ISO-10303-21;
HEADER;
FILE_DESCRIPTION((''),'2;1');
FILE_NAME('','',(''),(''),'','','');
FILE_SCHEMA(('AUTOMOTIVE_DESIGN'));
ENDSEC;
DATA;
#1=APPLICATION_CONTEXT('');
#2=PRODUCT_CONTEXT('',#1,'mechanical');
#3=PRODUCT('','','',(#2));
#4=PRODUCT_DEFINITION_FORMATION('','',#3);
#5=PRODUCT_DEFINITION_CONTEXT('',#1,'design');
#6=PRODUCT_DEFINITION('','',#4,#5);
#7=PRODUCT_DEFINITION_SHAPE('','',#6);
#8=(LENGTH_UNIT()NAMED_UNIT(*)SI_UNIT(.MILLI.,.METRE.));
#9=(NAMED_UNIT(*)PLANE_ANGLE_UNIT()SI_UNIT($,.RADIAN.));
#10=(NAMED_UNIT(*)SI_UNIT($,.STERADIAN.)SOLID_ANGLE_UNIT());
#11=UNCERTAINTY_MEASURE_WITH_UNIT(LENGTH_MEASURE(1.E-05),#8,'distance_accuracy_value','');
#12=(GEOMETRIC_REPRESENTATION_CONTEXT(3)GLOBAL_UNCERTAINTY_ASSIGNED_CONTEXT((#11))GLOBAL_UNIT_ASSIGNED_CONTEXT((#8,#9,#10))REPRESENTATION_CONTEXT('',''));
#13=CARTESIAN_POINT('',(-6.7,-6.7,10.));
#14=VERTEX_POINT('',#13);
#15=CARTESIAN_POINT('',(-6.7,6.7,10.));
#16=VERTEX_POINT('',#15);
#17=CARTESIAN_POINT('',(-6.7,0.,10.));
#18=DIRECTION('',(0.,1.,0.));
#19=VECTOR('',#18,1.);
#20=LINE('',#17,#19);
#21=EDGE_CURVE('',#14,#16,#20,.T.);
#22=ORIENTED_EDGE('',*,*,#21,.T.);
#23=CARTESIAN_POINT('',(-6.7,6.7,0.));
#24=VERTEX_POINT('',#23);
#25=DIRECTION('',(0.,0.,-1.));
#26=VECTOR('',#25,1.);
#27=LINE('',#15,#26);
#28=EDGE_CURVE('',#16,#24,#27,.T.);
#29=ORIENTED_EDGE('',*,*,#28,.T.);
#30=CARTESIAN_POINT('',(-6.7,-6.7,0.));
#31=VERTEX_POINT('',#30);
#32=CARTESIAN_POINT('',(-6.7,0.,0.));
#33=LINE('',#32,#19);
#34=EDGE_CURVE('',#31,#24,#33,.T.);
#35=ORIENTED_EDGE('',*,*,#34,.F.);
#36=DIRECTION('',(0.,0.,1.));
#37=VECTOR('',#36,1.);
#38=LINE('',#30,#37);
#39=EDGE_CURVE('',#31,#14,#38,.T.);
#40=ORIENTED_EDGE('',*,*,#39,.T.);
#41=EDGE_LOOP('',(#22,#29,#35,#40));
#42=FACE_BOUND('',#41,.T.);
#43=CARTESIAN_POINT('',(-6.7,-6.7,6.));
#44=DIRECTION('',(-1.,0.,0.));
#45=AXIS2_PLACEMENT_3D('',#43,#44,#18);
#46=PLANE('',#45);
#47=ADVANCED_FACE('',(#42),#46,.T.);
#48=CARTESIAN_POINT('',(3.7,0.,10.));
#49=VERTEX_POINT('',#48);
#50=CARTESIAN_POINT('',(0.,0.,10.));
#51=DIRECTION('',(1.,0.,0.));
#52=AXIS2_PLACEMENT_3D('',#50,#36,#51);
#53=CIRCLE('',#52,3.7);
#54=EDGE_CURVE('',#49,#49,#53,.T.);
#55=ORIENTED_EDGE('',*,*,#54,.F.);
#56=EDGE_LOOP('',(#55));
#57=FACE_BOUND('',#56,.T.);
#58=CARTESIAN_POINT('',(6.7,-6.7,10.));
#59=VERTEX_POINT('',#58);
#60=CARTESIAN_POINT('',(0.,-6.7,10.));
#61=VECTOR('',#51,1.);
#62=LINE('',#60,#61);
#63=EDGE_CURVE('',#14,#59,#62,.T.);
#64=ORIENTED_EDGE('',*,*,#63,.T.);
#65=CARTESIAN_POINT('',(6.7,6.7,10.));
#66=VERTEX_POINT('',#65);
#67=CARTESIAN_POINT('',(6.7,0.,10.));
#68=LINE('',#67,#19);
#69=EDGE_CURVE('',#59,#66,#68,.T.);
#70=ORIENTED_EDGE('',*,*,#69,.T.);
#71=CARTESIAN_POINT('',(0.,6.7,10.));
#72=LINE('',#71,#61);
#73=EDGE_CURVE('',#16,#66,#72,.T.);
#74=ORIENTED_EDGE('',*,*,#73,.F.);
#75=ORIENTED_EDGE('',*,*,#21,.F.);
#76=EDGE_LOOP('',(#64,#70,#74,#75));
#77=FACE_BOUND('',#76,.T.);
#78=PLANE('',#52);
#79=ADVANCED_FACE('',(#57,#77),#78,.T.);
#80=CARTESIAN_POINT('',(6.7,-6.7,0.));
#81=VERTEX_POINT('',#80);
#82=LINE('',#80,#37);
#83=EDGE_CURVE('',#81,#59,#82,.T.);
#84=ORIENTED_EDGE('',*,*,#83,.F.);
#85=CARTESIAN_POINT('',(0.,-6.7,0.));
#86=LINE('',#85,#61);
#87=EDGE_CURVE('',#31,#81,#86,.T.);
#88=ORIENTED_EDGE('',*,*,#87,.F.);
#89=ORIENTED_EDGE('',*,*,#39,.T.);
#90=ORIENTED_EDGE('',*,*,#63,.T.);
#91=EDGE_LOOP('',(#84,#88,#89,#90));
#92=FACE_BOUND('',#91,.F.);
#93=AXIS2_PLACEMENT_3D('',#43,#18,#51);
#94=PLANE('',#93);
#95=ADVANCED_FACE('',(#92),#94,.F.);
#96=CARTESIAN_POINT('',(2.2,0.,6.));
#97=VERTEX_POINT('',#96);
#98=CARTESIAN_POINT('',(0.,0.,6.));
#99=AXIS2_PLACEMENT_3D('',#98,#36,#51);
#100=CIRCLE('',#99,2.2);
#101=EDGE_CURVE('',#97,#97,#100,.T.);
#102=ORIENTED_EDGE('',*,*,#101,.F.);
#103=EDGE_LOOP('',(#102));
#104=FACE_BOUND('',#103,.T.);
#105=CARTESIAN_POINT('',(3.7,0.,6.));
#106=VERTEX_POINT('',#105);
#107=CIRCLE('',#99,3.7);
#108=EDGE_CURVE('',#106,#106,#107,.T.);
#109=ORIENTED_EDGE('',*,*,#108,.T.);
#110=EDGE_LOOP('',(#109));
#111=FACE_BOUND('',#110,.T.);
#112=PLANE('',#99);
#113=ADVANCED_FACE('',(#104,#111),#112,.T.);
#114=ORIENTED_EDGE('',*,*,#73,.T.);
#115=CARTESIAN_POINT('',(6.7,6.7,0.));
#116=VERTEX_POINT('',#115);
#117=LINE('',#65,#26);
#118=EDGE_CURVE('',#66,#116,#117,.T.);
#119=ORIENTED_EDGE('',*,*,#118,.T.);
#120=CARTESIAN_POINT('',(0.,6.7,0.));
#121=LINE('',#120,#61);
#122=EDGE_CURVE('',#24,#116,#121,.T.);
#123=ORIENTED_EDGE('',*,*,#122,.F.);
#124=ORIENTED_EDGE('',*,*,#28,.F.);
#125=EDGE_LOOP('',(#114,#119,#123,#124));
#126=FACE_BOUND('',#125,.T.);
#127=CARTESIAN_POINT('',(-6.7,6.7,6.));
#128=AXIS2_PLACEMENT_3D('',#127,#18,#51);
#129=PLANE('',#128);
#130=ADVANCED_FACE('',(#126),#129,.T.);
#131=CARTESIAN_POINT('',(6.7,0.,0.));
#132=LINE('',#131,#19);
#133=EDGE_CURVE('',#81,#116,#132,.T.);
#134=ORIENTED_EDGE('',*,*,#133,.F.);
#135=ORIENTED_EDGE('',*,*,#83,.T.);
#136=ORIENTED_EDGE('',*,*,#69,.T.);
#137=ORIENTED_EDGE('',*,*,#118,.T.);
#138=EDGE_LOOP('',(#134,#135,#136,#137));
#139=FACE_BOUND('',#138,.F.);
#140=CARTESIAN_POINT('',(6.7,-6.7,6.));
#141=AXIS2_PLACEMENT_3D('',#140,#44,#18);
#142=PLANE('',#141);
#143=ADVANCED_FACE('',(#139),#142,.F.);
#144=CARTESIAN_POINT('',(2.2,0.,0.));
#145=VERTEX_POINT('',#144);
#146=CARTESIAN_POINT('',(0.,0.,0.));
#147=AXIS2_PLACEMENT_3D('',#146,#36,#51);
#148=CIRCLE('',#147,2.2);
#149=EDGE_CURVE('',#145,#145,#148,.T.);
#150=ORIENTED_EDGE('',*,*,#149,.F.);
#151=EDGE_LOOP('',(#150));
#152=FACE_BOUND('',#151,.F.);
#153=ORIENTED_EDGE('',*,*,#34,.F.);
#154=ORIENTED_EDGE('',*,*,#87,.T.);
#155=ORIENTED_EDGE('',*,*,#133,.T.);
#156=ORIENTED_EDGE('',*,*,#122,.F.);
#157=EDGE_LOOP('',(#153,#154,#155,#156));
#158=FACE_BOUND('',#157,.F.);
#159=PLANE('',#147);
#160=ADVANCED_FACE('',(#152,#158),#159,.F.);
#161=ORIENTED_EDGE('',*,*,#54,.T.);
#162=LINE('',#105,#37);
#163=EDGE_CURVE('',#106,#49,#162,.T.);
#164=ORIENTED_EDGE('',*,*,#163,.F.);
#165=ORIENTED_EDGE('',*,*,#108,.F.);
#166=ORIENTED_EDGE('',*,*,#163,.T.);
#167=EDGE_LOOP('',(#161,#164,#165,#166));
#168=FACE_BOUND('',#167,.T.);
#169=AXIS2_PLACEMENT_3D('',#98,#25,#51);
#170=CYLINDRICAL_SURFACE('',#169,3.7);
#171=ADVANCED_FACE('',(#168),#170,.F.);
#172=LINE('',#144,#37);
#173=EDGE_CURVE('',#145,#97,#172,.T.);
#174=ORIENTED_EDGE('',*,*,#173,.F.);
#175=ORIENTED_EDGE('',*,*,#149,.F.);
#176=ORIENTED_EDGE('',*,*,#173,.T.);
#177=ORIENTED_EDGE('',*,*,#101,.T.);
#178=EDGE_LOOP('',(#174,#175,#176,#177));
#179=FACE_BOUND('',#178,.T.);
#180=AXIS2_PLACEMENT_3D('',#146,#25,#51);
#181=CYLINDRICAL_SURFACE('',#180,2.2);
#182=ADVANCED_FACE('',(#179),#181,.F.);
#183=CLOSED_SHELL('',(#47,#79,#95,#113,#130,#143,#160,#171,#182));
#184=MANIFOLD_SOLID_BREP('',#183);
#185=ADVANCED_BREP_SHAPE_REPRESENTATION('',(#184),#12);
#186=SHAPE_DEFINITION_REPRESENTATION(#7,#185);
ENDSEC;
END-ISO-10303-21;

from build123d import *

# Parameters (mm, degrees)
F0_W     = 13.4
F0_H     = 13.4
F0_R     = 2.2
F1_DEPTH = 6
F2_W     = 13.4
F2_H     = 13.4
F2_R     = 3.7
F3_DEPTH = 4


with BuildPart() as f1:
    # F0 (on Top) → F1 (new body)
    with BuildSketch(Plane.XY):
        Rectangle(F0_W, F0_H)
        Circle(F0_R, mode=Mode.SUBTRACT)
    extrude(amount=F1_DEPTH)

    # F2 (on face) → F3 (join)
    with BuildSketch(Plane.XY.offset(6)):
        Rectangle(F2_W, F2_H)
        Circle(F2_R, mode=Mode.SUBTRACT)
    extrude(amount=F3_DEPTH)


solid = f1.part
